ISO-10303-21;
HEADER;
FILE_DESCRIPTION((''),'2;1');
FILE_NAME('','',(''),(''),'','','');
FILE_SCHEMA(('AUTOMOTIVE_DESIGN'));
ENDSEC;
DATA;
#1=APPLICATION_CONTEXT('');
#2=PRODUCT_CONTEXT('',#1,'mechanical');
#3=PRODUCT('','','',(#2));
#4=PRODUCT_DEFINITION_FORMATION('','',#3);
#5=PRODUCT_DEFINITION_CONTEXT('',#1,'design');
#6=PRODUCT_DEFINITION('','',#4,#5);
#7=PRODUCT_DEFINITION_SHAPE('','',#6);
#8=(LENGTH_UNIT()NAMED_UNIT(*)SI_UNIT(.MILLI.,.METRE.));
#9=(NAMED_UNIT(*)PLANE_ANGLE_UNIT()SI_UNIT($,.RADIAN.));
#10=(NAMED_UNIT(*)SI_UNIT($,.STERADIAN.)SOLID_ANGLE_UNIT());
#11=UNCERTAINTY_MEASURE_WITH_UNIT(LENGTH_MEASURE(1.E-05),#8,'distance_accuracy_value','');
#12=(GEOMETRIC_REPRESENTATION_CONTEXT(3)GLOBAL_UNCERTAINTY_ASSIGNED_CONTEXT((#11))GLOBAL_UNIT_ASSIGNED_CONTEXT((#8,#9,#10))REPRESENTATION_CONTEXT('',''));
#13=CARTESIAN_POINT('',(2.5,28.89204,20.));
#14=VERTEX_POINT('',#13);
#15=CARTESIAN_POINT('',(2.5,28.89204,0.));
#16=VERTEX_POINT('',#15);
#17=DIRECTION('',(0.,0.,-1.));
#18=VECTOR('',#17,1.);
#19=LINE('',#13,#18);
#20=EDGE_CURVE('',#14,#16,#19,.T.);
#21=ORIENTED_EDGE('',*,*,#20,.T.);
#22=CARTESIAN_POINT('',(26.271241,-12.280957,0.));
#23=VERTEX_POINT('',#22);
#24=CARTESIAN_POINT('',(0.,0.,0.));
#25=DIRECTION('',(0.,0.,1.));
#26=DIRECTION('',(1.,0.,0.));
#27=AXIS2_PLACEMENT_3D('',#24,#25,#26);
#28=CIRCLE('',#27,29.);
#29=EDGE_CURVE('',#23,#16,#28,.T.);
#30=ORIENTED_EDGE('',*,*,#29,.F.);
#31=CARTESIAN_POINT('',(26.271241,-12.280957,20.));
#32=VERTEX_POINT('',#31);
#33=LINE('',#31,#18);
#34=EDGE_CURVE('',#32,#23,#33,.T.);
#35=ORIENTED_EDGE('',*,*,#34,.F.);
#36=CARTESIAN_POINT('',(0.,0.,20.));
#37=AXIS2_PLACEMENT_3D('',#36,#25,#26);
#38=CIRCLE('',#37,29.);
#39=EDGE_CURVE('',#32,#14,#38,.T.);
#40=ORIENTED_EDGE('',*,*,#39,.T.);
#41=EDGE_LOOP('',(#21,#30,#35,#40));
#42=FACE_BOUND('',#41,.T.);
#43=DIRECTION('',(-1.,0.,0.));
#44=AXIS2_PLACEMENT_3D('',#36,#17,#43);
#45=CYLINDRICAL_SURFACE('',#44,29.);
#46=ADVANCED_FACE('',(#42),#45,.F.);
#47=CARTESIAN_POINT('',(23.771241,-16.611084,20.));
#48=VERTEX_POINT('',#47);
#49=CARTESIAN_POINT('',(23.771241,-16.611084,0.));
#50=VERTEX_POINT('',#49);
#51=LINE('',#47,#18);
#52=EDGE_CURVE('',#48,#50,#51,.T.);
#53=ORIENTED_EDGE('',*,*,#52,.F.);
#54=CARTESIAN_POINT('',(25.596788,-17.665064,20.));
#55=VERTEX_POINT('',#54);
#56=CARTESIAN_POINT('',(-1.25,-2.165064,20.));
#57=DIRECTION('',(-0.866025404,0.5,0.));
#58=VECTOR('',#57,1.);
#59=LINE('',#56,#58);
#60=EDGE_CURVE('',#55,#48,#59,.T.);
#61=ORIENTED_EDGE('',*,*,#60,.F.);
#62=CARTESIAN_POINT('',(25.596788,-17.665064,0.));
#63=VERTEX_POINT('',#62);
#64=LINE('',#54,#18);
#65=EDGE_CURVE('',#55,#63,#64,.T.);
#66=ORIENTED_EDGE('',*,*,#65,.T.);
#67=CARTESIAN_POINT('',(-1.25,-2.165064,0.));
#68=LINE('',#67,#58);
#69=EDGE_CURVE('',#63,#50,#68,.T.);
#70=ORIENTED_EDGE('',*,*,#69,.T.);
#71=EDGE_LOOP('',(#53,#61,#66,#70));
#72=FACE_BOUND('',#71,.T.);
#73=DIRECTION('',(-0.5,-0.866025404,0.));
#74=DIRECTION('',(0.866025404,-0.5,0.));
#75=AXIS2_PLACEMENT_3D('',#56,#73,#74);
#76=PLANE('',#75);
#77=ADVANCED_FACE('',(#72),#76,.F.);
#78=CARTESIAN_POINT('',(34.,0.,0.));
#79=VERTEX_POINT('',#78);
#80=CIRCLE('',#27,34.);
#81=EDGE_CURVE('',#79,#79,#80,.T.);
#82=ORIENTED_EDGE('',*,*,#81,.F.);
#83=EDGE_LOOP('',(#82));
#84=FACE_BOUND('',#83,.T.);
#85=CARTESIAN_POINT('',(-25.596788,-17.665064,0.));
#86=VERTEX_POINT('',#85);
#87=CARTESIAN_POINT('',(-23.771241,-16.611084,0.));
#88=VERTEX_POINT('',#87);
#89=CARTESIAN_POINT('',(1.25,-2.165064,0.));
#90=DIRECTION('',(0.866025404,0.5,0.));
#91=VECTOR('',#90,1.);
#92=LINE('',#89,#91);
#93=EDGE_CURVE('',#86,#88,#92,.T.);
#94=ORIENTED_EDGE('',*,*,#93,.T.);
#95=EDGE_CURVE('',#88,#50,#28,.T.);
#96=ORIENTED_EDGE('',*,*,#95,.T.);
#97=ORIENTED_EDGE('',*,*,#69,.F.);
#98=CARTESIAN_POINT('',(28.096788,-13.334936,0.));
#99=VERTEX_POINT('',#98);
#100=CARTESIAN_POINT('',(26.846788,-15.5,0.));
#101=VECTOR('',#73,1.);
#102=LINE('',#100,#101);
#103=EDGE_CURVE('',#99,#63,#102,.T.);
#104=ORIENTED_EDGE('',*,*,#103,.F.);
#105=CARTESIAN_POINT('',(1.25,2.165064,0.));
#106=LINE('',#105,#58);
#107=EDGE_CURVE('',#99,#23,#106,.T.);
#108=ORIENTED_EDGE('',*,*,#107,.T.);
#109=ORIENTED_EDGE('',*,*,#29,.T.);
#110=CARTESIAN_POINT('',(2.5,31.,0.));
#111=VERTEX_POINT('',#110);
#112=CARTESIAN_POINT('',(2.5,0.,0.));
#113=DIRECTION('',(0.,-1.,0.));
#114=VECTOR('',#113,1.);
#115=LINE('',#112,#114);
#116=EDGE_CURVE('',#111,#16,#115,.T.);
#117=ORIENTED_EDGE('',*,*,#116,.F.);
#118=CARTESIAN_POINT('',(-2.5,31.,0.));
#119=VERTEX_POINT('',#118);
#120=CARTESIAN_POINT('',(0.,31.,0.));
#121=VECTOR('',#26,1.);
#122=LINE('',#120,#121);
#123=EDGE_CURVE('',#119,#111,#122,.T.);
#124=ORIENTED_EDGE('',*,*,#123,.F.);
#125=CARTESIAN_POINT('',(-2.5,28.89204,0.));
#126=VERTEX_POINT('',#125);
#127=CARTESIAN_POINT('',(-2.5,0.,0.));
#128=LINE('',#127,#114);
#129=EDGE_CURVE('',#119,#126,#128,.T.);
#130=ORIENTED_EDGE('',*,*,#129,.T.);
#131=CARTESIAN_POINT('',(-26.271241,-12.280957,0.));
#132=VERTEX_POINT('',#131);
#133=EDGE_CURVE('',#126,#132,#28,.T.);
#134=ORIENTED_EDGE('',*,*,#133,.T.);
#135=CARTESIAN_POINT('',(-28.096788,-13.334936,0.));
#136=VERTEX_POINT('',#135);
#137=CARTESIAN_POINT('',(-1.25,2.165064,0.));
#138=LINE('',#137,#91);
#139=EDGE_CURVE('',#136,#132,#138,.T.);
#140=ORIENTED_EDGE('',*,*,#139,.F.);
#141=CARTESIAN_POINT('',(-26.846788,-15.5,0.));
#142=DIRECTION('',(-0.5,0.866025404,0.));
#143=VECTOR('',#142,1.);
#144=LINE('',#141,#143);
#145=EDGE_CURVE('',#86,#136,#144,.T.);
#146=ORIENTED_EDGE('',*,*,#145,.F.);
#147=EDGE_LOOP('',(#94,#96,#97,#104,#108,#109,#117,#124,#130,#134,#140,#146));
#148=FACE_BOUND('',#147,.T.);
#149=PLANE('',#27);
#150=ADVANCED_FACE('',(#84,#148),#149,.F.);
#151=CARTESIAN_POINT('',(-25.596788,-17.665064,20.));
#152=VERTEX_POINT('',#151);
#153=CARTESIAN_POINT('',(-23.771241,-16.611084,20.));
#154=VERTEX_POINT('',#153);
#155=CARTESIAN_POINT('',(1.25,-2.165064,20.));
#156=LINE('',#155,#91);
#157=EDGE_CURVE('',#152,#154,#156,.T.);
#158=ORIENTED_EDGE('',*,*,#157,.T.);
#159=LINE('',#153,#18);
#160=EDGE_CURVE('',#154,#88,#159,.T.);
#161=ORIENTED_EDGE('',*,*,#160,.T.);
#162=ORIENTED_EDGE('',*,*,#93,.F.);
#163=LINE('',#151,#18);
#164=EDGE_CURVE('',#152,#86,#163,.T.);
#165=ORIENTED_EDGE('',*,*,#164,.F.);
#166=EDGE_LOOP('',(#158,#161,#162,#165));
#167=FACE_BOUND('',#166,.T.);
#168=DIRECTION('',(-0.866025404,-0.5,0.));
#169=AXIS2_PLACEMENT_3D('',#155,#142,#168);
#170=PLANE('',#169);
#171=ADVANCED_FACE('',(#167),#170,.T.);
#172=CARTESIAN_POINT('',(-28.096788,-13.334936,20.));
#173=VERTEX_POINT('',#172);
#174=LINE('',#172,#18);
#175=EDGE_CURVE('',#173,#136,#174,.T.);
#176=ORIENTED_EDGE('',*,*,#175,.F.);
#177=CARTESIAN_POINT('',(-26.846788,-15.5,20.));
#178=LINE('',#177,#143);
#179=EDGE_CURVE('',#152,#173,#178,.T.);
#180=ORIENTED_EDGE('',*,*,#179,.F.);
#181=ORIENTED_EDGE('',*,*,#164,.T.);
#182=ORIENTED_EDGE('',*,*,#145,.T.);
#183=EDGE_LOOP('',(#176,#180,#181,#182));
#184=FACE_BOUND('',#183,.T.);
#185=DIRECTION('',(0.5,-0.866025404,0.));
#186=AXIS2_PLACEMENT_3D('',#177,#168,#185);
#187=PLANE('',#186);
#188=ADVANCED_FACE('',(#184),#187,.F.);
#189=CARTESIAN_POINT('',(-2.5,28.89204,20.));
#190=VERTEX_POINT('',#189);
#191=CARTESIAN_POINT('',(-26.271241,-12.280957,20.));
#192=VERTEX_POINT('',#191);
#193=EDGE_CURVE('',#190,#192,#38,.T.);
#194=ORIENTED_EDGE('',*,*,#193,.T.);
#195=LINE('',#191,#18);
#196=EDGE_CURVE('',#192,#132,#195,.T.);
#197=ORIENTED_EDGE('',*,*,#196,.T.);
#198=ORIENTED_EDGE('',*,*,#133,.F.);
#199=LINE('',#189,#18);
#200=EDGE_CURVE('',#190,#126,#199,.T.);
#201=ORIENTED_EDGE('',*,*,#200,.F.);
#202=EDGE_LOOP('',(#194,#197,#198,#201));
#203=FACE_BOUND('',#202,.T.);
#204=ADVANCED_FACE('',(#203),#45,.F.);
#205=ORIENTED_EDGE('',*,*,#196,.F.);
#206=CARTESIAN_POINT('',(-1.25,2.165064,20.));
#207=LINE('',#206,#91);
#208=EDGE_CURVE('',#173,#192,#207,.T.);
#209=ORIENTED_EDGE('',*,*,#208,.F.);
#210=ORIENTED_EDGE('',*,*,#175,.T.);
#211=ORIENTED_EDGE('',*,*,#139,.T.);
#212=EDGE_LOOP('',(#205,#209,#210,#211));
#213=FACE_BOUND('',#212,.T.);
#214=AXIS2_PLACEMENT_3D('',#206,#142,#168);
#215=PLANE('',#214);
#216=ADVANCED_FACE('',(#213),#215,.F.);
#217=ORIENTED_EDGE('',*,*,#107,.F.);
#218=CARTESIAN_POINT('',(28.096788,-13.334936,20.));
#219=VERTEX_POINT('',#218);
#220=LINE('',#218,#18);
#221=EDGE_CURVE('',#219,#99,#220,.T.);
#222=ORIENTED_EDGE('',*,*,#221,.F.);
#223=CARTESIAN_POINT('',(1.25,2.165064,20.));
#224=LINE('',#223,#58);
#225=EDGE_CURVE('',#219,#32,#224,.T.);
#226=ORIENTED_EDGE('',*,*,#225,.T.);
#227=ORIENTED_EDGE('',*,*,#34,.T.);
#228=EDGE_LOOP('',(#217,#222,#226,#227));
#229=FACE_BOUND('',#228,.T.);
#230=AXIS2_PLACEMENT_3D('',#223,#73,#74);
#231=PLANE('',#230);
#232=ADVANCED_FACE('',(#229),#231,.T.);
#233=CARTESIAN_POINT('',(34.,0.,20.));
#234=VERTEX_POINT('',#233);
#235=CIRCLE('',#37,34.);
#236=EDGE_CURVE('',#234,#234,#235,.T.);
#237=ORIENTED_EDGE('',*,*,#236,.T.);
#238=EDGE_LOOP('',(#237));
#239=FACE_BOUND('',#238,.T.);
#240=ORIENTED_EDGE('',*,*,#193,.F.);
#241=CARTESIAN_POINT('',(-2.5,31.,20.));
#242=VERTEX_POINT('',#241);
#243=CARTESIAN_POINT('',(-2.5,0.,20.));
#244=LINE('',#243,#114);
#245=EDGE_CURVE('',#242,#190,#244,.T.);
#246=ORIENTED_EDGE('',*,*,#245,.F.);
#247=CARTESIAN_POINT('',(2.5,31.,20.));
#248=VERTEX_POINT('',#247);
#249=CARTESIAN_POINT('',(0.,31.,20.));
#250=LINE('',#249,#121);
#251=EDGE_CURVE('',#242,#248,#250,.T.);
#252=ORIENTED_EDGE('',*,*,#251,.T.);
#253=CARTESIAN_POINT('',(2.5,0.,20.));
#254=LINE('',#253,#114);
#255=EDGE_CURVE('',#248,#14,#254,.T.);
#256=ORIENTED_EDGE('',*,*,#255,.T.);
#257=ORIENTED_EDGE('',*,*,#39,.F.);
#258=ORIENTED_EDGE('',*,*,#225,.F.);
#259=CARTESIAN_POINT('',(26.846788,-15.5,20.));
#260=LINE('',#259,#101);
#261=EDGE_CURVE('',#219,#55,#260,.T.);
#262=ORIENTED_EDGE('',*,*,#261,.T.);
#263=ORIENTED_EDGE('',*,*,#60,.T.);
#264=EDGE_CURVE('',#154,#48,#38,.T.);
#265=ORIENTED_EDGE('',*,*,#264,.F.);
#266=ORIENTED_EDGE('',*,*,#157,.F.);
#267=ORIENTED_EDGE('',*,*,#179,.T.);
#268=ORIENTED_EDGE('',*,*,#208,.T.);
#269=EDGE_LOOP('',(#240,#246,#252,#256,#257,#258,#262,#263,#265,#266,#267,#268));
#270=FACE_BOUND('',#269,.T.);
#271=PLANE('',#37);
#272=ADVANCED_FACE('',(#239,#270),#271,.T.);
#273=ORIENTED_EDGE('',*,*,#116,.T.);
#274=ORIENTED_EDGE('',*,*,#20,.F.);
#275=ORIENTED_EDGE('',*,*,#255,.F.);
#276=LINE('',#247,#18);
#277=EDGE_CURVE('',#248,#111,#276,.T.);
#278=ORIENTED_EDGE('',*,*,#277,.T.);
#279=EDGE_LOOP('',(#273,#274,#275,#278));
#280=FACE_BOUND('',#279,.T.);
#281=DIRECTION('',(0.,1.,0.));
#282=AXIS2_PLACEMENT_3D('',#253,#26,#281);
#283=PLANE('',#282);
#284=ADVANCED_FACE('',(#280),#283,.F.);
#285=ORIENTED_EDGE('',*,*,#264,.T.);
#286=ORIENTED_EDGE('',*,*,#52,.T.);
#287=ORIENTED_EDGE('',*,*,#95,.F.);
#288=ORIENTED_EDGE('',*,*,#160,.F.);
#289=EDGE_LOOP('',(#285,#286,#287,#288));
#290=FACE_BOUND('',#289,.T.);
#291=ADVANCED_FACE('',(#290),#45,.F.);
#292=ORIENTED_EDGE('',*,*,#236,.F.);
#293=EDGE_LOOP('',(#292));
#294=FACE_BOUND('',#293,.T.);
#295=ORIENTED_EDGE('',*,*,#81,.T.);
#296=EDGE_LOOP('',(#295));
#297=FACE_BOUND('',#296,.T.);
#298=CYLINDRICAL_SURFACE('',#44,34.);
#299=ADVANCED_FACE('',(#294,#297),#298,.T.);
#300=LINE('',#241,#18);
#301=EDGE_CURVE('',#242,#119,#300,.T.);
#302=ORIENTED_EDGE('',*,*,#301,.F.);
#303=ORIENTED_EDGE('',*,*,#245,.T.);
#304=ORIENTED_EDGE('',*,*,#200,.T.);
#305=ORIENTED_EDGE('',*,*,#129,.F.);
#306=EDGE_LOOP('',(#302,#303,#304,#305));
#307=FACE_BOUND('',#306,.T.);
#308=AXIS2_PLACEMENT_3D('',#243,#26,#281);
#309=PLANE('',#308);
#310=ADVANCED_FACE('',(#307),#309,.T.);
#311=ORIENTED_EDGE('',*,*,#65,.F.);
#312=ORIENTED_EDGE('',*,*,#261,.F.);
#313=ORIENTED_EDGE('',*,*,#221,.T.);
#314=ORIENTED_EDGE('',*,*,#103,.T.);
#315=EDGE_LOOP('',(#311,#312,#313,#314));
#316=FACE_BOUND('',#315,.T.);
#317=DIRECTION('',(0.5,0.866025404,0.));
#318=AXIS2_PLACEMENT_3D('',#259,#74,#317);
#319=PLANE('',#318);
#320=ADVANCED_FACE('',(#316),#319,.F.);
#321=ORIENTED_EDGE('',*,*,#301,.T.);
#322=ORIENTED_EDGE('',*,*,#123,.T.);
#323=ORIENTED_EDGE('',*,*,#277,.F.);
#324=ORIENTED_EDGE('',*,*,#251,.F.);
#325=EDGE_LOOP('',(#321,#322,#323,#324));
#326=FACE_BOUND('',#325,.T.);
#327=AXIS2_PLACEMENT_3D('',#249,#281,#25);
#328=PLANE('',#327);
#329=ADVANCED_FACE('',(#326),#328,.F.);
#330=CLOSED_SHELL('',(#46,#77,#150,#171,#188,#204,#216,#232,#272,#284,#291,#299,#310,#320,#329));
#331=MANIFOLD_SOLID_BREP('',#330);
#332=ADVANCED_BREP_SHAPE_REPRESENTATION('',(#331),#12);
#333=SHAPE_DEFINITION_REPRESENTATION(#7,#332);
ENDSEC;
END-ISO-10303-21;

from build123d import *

# Parameters (mm, degrees)
SALIENTE_EXTRUIR1_DEPTH = 20


with BuildPart() as part:
    # Croquis1 → Saliente-Extruir1 (new body)
    with BuildSketch(Plane.XY):
        with BuildLine():
            ThreePointArc((34, 0), (24.04163056, 24.04163056), (0, 34))
            ThreePointArc((0, 34), (-24.04163056, -24.04163056), (34, 0))
        make_face()
        with BuildLine():
            Line((-2.5, 31), (0, 31))
            Line((0, 31), (2.5, 31))
            Line((2.5, 31), (2.5, 28.892040426))
            ThreePointArc((2.5, 28.892040426), (21.371710273, 19.602295784), (29, 0))
            ThreePointArc((29, 0), (28.309591911, -6.290230985), (26.271240976, -12.280956704))
            Line((26.271240976, -12.280956704), (28.096787517, -13.334936491))
            Line((28.096787517, -13.334936491), (25.596787517, -17.665063509))
            Line((25.596787517, -17.665063509), (23.771240976, -16.611083723))
            ThreePointArc((23.771240976, -16.611083723), (0, -29), (-23.771240976, -16.611083723))
            Line((-23.771240976, -16.611083723), (-25.596787517, -17.665063509))
            Line((-25.596787517, -17.665063509), (-28.096787517, -13.334936491))
            Line((-28.096787517, -13.334936491), (-26.271240976, -12.280956704))
            ThreePointArc((-26.271240976, -12.280956704), (-25.11473671, 14.5), (-2.5, 28.892040426))
            Line((-2.5, 28.892040426), (-2.5, 31))
        make_face(mode=Mode.SUBTRACT)
    extrude(amount=SALIENTE_EXTRUIR1_DEPTH)


solid = part.part
